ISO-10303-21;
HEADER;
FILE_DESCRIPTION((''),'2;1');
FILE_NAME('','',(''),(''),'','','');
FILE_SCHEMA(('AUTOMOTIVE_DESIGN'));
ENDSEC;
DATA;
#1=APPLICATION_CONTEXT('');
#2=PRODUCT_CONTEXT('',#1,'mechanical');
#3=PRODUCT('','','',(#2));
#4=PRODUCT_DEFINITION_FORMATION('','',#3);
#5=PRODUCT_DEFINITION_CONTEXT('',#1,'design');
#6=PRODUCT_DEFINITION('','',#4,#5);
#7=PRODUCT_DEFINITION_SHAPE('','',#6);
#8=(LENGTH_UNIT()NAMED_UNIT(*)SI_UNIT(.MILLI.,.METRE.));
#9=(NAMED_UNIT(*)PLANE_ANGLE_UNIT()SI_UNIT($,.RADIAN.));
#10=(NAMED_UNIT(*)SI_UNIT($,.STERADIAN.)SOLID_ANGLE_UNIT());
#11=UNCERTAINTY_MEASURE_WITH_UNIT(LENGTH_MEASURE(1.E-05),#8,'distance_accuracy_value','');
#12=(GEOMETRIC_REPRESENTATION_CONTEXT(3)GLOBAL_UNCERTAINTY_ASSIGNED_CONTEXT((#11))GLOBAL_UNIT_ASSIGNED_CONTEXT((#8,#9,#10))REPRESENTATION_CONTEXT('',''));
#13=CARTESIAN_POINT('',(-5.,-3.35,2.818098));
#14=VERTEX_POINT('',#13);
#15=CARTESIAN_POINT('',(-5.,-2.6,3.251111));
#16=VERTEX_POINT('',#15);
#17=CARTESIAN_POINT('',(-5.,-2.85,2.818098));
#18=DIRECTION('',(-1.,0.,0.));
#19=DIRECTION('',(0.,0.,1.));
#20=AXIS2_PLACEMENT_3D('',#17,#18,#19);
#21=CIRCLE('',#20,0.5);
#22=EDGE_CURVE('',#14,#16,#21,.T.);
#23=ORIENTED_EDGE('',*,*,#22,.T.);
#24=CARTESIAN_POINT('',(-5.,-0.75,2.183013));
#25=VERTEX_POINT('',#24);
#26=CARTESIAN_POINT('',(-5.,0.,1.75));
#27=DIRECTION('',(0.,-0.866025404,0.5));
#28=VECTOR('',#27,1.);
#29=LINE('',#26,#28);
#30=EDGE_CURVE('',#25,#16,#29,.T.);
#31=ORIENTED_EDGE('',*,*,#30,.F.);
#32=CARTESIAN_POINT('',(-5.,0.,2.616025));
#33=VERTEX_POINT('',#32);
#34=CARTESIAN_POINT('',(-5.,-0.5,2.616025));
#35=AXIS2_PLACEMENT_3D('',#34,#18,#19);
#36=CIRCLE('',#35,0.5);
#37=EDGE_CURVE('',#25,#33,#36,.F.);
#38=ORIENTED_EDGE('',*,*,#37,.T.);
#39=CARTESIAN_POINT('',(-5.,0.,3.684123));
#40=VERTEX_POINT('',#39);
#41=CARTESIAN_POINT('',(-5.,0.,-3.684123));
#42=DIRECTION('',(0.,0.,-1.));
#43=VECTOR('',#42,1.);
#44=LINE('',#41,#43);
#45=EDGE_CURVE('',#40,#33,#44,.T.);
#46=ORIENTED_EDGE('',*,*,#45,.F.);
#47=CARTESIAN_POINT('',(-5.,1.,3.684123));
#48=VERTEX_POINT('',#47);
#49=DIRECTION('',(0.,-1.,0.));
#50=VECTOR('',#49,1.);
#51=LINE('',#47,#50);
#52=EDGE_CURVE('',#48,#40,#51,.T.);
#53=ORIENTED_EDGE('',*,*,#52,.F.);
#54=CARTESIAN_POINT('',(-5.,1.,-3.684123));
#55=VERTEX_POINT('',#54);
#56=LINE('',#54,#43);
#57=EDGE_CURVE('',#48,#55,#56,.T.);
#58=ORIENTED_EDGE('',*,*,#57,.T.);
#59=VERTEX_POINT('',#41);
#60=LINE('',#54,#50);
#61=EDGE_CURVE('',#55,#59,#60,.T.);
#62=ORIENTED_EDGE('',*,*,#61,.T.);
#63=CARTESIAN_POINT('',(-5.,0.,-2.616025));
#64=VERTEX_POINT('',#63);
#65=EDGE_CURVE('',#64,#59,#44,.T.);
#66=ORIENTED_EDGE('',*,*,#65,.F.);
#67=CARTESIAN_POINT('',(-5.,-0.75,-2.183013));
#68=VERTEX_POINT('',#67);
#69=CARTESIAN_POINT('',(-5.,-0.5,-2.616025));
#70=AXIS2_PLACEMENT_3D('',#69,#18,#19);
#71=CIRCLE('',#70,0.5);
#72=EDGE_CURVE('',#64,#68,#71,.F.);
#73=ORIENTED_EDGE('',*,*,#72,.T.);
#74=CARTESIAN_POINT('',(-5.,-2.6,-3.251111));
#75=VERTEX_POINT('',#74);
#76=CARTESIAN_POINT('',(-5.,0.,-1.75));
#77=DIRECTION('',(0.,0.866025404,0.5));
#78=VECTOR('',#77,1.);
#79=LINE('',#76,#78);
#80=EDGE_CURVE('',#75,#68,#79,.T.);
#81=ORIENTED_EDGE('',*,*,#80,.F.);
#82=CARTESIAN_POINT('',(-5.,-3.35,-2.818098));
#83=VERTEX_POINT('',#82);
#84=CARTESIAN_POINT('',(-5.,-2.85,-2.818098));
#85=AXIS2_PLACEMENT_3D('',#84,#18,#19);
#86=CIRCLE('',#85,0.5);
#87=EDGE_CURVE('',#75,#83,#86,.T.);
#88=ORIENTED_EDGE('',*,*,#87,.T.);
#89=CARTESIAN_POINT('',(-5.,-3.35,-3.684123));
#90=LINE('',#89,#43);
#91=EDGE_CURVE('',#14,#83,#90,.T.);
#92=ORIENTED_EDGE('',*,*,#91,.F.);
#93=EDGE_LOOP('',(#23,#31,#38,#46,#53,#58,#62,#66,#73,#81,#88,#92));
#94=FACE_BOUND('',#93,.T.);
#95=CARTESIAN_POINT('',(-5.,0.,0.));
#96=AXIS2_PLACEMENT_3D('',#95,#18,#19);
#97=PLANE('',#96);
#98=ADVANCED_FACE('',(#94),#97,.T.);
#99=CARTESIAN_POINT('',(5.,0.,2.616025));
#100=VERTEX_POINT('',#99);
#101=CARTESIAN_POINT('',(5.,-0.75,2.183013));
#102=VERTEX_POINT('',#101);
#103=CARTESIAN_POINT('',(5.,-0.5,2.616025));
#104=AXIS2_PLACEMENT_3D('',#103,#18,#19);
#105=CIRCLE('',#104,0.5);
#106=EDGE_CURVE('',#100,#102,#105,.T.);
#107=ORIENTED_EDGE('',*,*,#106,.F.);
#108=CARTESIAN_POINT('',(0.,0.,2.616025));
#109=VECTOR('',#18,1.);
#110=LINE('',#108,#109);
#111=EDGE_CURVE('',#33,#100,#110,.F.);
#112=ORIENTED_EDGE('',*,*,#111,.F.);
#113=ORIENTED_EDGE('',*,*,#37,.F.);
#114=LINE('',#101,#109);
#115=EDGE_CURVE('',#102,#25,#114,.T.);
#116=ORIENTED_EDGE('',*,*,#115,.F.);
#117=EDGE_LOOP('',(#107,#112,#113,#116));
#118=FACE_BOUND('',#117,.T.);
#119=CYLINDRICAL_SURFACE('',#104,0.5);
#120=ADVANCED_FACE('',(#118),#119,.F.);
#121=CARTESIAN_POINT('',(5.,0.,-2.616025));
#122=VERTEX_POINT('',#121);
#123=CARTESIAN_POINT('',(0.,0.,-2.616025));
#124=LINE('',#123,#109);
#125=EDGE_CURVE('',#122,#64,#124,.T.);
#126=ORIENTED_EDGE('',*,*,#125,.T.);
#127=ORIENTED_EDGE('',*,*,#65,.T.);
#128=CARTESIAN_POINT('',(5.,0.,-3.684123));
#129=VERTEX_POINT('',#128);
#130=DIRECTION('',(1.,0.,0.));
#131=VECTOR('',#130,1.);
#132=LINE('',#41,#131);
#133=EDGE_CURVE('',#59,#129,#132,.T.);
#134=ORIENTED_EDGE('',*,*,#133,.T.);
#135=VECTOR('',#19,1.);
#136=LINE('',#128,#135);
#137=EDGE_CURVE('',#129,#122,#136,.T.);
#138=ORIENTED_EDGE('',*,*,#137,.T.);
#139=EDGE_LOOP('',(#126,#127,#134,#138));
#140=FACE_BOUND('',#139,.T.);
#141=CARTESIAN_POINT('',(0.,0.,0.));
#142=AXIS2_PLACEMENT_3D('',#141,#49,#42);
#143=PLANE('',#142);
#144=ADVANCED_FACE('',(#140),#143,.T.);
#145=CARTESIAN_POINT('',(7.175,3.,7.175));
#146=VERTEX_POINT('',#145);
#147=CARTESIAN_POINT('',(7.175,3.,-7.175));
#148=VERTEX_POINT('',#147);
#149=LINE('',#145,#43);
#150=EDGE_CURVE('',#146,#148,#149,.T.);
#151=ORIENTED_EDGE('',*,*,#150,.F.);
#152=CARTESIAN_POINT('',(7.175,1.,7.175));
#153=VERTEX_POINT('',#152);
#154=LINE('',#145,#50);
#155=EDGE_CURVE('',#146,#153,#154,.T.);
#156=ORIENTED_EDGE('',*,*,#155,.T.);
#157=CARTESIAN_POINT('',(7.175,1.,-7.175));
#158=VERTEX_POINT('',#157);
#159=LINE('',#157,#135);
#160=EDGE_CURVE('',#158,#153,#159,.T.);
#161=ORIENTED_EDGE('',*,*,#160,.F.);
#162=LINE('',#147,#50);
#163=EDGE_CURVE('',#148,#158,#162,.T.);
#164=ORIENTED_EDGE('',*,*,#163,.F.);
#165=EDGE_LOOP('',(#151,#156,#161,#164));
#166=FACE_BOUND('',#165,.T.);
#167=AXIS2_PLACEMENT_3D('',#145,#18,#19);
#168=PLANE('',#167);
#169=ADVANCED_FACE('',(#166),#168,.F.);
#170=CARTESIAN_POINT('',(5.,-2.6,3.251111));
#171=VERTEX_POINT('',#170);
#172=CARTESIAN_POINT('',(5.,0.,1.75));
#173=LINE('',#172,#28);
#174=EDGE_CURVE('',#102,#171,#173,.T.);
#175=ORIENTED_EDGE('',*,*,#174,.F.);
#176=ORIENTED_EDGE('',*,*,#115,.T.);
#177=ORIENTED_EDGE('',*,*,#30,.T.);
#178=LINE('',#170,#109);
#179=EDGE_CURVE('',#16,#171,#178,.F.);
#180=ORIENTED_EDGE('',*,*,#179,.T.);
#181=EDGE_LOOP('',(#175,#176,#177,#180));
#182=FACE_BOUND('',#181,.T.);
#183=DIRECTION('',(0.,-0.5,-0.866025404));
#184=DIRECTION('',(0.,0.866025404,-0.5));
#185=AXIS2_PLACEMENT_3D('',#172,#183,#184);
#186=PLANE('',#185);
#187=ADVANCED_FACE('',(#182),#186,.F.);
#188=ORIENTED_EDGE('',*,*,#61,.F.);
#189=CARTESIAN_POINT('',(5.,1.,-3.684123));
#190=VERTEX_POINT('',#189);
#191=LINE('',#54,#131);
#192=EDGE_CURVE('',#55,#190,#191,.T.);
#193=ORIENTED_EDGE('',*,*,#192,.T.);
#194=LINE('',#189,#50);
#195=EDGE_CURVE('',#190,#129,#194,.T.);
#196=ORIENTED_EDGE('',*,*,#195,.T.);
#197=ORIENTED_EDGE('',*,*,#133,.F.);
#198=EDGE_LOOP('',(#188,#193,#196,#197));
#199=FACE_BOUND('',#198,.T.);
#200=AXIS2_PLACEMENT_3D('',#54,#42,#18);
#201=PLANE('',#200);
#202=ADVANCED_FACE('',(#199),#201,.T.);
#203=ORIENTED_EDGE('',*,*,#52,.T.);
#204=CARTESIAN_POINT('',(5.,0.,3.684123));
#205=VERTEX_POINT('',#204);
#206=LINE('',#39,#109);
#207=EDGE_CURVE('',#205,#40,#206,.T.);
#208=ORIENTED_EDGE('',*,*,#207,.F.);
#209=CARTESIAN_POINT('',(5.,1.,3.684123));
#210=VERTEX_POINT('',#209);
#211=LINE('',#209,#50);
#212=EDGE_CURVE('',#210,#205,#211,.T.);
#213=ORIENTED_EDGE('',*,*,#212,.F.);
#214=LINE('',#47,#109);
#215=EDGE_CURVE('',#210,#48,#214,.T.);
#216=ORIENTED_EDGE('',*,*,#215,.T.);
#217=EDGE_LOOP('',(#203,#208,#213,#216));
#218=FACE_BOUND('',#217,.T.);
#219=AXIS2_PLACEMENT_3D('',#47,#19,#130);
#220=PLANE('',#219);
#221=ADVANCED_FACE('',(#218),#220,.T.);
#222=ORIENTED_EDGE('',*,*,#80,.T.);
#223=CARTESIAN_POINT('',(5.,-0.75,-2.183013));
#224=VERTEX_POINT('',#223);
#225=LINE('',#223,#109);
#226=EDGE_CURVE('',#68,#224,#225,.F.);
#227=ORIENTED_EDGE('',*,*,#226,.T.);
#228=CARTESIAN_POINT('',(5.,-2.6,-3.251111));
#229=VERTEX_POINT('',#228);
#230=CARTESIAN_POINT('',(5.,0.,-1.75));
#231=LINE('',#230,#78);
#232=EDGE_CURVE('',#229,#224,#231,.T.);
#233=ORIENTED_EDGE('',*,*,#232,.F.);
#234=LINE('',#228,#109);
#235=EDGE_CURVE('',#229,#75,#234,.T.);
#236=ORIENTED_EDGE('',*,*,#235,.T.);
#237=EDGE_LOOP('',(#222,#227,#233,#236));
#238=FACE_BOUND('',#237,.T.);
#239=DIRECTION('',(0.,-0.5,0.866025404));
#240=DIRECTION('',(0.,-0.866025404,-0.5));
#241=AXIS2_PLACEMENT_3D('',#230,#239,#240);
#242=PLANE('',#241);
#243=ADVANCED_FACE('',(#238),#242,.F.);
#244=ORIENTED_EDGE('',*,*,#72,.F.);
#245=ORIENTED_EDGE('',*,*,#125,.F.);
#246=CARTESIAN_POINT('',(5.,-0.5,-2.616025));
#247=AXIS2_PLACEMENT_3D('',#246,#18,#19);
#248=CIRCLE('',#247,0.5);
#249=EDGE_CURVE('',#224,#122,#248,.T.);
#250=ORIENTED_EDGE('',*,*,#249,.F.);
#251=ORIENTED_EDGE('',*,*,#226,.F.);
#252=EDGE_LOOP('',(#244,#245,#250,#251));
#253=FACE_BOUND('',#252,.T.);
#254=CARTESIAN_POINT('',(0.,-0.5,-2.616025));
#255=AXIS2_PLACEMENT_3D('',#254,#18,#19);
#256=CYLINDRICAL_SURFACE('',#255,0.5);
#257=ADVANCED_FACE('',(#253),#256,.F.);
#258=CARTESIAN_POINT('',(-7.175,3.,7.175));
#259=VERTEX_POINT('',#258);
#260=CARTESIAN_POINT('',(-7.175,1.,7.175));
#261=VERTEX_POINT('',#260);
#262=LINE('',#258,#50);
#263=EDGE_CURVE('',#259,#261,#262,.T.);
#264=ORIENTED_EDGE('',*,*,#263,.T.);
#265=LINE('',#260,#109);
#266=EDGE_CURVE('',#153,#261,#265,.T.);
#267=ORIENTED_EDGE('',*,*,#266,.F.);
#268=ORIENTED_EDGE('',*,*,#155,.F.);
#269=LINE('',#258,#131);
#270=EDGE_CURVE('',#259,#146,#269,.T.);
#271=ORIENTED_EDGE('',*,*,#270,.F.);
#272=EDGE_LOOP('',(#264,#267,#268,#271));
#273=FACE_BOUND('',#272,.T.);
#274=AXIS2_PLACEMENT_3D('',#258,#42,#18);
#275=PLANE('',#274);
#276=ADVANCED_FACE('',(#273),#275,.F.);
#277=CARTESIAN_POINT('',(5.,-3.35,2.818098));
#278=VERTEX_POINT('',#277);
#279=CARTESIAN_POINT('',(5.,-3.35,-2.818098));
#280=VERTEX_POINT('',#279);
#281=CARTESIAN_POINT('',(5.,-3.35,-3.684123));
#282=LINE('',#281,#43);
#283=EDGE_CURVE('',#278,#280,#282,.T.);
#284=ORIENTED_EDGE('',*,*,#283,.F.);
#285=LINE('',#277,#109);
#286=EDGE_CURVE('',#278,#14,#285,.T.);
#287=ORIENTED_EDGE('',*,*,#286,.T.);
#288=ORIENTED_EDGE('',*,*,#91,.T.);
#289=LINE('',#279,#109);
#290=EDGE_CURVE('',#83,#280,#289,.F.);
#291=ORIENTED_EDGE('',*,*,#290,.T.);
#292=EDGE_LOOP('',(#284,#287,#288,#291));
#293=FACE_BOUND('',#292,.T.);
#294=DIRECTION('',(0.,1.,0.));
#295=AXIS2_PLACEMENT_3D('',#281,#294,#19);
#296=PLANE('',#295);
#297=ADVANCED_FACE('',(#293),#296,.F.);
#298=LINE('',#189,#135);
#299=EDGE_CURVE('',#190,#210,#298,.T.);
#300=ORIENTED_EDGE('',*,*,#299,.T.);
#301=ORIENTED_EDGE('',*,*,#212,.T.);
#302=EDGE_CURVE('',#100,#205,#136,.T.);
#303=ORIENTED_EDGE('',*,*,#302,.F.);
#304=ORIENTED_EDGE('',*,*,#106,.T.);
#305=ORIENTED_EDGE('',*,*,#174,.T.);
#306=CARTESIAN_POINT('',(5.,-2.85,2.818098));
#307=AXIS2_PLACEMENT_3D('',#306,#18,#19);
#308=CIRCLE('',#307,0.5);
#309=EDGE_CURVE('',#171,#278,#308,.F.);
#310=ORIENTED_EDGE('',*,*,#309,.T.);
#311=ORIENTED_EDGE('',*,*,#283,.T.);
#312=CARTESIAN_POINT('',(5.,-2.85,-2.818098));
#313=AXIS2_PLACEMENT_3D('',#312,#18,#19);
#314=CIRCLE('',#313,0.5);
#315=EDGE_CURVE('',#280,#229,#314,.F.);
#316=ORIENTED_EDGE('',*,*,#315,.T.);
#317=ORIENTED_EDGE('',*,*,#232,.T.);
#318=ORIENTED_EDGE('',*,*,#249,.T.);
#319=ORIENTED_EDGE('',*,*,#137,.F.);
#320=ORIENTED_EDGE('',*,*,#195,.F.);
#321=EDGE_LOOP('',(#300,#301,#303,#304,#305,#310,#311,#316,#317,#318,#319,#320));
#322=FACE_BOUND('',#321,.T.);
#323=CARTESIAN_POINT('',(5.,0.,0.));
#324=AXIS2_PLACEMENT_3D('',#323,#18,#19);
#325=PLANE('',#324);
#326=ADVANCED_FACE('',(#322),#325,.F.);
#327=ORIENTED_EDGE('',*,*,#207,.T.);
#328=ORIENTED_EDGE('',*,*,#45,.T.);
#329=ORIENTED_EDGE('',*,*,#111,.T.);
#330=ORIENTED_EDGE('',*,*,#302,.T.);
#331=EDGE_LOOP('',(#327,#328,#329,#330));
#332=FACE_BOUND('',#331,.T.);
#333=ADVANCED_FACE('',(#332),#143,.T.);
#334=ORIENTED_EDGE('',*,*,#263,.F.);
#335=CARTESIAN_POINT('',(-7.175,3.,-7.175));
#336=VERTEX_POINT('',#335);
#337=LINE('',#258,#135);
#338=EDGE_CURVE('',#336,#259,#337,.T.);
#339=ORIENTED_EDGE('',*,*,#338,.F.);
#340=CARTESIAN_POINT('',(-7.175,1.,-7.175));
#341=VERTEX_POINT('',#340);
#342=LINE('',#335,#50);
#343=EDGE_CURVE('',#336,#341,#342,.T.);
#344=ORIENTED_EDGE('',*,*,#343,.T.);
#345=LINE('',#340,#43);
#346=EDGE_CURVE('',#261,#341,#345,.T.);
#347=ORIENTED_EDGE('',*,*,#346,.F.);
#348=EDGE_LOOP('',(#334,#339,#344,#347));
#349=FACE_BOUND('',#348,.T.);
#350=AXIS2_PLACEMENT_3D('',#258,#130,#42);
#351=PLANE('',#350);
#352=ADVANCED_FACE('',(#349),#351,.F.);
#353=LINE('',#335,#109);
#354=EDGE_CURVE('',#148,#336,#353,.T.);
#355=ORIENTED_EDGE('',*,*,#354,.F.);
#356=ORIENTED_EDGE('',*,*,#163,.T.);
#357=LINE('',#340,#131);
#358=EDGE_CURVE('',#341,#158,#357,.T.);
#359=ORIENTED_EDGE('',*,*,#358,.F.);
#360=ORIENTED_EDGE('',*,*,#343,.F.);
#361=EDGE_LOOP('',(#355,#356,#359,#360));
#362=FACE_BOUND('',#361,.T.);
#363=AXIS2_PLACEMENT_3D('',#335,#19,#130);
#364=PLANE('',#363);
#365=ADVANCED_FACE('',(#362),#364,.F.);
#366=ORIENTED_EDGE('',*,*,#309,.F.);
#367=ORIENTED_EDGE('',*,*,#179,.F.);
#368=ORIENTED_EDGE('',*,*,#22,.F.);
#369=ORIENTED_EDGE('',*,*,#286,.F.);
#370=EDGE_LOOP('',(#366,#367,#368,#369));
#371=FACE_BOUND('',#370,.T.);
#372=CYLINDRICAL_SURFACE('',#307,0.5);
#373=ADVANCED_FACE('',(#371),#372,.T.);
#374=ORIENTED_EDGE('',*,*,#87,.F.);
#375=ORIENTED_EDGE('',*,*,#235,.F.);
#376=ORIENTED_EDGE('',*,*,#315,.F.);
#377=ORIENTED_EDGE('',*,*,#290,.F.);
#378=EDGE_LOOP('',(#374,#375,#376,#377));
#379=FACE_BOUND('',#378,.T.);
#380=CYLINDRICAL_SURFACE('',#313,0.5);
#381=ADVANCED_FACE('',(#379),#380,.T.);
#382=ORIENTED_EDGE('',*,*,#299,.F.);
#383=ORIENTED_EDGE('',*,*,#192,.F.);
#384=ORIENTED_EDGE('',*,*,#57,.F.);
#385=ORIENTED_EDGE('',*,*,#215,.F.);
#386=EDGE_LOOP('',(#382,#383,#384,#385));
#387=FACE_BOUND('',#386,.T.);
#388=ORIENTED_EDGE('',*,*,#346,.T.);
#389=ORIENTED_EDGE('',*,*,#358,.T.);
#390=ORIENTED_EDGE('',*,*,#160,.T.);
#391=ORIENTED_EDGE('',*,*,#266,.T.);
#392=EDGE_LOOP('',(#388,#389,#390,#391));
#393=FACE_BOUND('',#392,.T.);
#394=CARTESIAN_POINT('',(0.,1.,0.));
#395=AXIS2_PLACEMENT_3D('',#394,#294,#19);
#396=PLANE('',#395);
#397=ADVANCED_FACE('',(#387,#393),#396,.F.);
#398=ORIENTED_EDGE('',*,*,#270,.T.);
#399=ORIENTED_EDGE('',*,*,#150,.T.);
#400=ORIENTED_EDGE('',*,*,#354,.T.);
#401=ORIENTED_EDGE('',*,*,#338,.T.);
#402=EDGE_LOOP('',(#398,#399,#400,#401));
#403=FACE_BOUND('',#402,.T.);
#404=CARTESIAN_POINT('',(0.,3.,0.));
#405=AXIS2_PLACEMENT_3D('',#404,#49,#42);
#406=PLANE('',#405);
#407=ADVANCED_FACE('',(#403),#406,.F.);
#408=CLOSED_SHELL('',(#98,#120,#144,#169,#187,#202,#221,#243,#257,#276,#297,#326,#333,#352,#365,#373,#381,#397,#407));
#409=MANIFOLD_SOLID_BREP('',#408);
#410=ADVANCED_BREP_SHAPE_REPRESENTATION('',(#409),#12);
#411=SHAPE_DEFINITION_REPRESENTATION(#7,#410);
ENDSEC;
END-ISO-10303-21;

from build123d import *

# Parameters (mm, degrees)
SKETCH2_W           = 14.35
SKETCH2_H           = 14.35
BOSS_EXTRUDE1_DEPTH = 3
BOSS_EXTRUDE2_DEPTH = 5
SKETCH4_W           = 14.35
SKETCH4_H           = 14.35
SKETCH4_W_2         = 10
SKETCH4_H_2         = 7.368246804
CUT_EXTRUDE1_DEPTH  = 1
FILLET1_R           = 0.5


with BuildPart() as part:
    # Sketch2 → Boss-Extrude1 (new body)
    with BuildSketch(Plane(origin=(0, 0, 0), x_dir=(1, 0, 0), z_dir=(0, 1, 0))):
        Rectangle(SKETCH2_W, SKETCH2_H)
    extrude(amount=BOSS_EXTRUDE1_DEPTH)

    # Sketch3 → Boss-Extrude2 (add, symmetric)
    with BuildSketch(Plane(origin=(0, 0, 0), x_dir=(0, 0, -1), z_dir=(1, 0, 0))):
        Polygon((-1.75, 0), (1.75, 0), (3.684123402, -3.35), (-3.684123402, -3.35), align=None)
    extrude(amount=BOSS_EXTRUDE2_DEPTH, both=True)

    # Sketch4 → Cut-Extrude1 (cut)
    with BuildSketch(Plane.XZ):
        Rectangle(SKETCH4_W, SKETCH4_H)
        Rectangle(SKETCH4_W_2, SKETCH4_H_2, mode=Mode.SUBTRACT)
    extrude(amount=-CUT_EXTRUDE1_DEPTH, mode=Mode.SUBTRACT)

    # Fillet1
    fillet1_edges = [part.edges().sort_by_distance(p)[0] for p in [
        (0, -3.35, -3.684123402),
        (0, 0, -1.75),
        (0, 0, 1.75),
        (0, -3.35, 3.684123402),
    ]]
    fillet(fillet1_edges, radius=FILLET1_R)


solid = part.part
